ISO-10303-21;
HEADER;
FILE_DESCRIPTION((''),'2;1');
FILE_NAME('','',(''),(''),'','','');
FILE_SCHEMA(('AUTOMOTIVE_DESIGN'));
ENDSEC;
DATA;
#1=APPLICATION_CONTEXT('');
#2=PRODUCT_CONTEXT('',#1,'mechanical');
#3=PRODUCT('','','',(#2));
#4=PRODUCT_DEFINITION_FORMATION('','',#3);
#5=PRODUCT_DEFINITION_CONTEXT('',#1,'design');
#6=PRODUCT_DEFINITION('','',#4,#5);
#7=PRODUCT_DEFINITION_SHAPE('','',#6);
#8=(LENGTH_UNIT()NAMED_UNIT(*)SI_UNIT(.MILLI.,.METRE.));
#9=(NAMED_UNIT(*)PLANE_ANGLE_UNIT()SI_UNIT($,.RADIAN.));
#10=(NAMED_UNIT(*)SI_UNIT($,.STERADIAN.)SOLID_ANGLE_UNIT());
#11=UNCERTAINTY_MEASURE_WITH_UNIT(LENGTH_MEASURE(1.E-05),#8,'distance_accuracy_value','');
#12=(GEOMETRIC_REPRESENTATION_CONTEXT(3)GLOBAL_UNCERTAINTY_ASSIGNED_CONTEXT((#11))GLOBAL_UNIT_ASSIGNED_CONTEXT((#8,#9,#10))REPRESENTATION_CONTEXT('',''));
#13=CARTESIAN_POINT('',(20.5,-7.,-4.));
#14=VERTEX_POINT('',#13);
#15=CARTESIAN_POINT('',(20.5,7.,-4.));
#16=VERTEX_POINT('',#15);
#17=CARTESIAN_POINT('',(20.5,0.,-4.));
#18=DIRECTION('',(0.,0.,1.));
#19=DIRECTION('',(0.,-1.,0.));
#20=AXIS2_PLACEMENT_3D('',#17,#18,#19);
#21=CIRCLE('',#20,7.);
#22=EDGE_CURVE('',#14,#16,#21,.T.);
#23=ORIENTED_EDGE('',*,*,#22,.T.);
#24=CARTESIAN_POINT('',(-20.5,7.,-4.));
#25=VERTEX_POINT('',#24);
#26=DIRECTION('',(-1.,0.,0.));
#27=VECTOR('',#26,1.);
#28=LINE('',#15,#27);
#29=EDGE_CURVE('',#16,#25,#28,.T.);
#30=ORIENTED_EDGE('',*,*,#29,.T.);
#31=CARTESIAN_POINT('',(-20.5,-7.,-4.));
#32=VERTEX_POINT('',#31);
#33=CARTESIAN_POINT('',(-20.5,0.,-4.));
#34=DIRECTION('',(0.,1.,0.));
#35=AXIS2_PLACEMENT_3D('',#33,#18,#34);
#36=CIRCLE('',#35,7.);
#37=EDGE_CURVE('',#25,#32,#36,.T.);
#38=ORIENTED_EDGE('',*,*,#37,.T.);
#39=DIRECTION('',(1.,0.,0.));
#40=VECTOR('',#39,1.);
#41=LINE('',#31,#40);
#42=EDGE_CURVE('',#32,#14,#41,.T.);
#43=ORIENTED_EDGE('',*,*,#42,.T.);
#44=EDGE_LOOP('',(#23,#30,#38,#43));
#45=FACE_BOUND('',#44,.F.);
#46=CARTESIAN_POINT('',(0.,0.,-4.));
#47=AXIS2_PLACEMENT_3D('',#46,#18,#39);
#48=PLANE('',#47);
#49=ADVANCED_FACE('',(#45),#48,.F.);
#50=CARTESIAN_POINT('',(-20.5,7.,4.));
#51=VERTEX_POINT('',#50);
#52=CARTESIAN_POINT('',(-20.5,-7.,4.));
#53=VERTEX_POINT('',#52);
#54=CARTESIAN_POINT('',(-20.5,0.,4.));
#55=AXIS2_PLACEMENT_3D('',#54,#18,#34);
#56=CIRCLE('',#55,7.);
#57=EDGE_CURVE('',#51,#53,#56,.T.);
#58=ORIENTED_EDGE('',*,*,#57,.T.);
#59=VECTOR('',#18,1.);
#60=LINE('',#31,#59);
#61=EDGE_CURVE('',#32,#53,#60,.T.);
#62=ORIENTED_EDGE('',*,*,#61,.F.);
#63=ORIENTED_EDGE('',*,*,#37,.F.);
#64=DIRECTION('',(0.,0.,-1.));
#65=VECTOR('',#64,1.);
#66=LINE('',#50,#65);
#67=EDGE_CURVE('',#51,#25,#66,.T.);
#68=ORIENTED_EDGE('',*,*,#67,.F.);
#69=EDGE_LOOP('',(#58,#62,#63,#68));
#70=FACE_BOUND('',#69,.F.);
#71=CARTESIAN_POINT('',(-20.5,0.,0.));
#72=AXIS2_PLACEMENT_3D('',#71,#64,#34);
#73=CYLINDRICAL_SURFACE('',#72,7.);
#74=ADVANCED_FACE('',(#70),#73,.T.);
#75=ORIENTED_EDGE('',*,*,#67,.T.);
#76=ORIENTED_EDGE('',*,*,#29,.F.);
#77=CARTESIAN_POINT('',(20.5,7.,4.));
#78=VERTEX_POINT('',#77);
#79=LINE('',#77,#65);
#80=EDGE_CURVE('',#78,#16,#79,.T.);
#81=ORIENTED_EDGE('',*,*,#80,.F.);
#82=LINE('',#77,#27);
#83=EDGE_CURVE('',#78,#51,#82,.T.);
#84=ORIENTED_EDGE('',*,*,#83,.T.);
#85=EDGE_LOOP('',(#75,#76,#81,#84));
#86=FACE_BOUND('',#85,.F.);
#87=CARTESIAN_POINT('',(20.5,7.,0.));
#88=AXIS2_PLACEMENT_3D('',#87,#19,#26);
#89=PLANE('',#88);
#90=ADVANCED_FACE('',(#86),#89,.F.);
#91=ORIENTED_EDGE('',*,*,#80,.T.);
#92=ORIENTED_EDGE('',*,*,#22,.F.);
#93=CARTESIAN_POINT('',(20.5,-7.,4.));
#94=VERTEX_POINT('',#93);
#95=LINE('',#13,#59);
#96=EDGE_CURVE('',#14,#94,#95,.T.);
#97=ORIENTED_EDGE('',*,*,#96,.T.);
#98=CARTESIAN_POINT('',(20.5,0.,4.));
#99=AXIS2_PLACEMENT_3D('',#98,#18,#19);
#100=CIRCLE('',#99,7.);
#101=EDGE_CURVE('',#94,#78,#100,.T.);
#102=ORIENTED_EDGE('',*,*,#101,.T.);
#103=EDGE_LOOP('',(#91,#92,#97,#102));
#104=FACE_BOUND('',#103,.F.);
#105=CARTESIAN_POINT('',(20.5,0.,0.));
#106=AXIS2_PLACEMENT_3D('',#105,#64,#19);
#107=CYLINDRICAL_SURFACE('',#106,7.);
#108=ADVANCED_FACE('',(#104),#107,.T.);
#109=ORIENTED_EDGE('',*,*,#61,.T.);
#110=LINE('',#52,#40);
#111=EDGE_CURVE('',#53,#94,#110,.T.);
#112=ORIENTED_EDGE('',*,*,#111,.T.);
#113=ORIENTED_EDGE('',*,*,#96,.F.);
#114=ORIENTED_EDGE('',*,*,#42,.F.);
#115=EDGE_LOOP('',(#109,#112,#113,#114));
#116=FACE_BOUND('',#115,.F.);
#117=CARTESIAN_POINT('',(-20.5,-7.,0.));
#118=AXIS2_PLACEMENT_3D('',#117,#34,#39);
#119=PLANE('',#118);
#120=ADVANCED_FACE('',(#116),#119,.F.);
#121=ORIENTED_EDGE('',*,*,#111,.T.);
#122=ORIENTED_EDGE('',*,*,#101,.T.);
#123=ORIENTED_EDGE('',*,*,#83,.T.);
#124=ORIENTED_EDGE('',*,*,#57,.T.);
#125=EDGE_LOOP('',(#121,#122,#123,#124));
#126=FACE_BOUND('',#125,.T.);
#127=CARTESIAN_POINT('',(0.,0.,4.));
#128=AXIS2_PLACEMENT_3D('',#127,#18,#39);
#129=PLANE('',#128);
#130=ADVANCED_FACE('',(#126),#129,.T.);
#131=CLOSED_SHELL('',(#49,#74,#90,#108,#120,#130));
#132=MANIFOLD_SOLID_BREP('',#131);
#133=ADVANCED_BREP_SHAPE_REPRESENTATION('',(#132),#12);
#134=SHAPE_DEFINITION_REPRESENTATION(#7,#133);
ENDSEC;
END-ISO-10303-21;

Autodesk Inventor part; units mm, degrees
ref_plane "YZ Plane" through (0, 0, 0) normal (1, 0, 0) x (0, 1, 0)
ref_plane "XZ Plane" through (0, 0, 0) normal (0, 1, 0) x (-1, 0, 0)
ref_plane "XY Plane" through (0, 0, 0) normal (0, 0, 1) x (1, 0, 0)
sketch "스케치9" plane through (0, 0, 0) normal (0, 0, 1) x (1, 0, 0)
  line L0 (-20.5, 0) -> (20.5, 0) construction
  line L1 (-20.5, -7) -> (20.5, -7)
  line L2 (20.5, 7) -> (-20.5, 7)
  arc A0 (-20.5, 7) -> (-20.5, -7) centre (-20.5, 0) ccw
  arc A1 (20.5, -7) -> (20.5, 7) centre (20.5, 0) ccw
  point P0 (0, 0)
  point P1 (27.5, 0)
  point P2 (-27.5, 0)
  dimension "d40" = 14
  dimension "d41" = 55
extrude "돌출4" add sketch "스케치9" along normal mid plane 8
properties part number "KEY" material "SCM435"
